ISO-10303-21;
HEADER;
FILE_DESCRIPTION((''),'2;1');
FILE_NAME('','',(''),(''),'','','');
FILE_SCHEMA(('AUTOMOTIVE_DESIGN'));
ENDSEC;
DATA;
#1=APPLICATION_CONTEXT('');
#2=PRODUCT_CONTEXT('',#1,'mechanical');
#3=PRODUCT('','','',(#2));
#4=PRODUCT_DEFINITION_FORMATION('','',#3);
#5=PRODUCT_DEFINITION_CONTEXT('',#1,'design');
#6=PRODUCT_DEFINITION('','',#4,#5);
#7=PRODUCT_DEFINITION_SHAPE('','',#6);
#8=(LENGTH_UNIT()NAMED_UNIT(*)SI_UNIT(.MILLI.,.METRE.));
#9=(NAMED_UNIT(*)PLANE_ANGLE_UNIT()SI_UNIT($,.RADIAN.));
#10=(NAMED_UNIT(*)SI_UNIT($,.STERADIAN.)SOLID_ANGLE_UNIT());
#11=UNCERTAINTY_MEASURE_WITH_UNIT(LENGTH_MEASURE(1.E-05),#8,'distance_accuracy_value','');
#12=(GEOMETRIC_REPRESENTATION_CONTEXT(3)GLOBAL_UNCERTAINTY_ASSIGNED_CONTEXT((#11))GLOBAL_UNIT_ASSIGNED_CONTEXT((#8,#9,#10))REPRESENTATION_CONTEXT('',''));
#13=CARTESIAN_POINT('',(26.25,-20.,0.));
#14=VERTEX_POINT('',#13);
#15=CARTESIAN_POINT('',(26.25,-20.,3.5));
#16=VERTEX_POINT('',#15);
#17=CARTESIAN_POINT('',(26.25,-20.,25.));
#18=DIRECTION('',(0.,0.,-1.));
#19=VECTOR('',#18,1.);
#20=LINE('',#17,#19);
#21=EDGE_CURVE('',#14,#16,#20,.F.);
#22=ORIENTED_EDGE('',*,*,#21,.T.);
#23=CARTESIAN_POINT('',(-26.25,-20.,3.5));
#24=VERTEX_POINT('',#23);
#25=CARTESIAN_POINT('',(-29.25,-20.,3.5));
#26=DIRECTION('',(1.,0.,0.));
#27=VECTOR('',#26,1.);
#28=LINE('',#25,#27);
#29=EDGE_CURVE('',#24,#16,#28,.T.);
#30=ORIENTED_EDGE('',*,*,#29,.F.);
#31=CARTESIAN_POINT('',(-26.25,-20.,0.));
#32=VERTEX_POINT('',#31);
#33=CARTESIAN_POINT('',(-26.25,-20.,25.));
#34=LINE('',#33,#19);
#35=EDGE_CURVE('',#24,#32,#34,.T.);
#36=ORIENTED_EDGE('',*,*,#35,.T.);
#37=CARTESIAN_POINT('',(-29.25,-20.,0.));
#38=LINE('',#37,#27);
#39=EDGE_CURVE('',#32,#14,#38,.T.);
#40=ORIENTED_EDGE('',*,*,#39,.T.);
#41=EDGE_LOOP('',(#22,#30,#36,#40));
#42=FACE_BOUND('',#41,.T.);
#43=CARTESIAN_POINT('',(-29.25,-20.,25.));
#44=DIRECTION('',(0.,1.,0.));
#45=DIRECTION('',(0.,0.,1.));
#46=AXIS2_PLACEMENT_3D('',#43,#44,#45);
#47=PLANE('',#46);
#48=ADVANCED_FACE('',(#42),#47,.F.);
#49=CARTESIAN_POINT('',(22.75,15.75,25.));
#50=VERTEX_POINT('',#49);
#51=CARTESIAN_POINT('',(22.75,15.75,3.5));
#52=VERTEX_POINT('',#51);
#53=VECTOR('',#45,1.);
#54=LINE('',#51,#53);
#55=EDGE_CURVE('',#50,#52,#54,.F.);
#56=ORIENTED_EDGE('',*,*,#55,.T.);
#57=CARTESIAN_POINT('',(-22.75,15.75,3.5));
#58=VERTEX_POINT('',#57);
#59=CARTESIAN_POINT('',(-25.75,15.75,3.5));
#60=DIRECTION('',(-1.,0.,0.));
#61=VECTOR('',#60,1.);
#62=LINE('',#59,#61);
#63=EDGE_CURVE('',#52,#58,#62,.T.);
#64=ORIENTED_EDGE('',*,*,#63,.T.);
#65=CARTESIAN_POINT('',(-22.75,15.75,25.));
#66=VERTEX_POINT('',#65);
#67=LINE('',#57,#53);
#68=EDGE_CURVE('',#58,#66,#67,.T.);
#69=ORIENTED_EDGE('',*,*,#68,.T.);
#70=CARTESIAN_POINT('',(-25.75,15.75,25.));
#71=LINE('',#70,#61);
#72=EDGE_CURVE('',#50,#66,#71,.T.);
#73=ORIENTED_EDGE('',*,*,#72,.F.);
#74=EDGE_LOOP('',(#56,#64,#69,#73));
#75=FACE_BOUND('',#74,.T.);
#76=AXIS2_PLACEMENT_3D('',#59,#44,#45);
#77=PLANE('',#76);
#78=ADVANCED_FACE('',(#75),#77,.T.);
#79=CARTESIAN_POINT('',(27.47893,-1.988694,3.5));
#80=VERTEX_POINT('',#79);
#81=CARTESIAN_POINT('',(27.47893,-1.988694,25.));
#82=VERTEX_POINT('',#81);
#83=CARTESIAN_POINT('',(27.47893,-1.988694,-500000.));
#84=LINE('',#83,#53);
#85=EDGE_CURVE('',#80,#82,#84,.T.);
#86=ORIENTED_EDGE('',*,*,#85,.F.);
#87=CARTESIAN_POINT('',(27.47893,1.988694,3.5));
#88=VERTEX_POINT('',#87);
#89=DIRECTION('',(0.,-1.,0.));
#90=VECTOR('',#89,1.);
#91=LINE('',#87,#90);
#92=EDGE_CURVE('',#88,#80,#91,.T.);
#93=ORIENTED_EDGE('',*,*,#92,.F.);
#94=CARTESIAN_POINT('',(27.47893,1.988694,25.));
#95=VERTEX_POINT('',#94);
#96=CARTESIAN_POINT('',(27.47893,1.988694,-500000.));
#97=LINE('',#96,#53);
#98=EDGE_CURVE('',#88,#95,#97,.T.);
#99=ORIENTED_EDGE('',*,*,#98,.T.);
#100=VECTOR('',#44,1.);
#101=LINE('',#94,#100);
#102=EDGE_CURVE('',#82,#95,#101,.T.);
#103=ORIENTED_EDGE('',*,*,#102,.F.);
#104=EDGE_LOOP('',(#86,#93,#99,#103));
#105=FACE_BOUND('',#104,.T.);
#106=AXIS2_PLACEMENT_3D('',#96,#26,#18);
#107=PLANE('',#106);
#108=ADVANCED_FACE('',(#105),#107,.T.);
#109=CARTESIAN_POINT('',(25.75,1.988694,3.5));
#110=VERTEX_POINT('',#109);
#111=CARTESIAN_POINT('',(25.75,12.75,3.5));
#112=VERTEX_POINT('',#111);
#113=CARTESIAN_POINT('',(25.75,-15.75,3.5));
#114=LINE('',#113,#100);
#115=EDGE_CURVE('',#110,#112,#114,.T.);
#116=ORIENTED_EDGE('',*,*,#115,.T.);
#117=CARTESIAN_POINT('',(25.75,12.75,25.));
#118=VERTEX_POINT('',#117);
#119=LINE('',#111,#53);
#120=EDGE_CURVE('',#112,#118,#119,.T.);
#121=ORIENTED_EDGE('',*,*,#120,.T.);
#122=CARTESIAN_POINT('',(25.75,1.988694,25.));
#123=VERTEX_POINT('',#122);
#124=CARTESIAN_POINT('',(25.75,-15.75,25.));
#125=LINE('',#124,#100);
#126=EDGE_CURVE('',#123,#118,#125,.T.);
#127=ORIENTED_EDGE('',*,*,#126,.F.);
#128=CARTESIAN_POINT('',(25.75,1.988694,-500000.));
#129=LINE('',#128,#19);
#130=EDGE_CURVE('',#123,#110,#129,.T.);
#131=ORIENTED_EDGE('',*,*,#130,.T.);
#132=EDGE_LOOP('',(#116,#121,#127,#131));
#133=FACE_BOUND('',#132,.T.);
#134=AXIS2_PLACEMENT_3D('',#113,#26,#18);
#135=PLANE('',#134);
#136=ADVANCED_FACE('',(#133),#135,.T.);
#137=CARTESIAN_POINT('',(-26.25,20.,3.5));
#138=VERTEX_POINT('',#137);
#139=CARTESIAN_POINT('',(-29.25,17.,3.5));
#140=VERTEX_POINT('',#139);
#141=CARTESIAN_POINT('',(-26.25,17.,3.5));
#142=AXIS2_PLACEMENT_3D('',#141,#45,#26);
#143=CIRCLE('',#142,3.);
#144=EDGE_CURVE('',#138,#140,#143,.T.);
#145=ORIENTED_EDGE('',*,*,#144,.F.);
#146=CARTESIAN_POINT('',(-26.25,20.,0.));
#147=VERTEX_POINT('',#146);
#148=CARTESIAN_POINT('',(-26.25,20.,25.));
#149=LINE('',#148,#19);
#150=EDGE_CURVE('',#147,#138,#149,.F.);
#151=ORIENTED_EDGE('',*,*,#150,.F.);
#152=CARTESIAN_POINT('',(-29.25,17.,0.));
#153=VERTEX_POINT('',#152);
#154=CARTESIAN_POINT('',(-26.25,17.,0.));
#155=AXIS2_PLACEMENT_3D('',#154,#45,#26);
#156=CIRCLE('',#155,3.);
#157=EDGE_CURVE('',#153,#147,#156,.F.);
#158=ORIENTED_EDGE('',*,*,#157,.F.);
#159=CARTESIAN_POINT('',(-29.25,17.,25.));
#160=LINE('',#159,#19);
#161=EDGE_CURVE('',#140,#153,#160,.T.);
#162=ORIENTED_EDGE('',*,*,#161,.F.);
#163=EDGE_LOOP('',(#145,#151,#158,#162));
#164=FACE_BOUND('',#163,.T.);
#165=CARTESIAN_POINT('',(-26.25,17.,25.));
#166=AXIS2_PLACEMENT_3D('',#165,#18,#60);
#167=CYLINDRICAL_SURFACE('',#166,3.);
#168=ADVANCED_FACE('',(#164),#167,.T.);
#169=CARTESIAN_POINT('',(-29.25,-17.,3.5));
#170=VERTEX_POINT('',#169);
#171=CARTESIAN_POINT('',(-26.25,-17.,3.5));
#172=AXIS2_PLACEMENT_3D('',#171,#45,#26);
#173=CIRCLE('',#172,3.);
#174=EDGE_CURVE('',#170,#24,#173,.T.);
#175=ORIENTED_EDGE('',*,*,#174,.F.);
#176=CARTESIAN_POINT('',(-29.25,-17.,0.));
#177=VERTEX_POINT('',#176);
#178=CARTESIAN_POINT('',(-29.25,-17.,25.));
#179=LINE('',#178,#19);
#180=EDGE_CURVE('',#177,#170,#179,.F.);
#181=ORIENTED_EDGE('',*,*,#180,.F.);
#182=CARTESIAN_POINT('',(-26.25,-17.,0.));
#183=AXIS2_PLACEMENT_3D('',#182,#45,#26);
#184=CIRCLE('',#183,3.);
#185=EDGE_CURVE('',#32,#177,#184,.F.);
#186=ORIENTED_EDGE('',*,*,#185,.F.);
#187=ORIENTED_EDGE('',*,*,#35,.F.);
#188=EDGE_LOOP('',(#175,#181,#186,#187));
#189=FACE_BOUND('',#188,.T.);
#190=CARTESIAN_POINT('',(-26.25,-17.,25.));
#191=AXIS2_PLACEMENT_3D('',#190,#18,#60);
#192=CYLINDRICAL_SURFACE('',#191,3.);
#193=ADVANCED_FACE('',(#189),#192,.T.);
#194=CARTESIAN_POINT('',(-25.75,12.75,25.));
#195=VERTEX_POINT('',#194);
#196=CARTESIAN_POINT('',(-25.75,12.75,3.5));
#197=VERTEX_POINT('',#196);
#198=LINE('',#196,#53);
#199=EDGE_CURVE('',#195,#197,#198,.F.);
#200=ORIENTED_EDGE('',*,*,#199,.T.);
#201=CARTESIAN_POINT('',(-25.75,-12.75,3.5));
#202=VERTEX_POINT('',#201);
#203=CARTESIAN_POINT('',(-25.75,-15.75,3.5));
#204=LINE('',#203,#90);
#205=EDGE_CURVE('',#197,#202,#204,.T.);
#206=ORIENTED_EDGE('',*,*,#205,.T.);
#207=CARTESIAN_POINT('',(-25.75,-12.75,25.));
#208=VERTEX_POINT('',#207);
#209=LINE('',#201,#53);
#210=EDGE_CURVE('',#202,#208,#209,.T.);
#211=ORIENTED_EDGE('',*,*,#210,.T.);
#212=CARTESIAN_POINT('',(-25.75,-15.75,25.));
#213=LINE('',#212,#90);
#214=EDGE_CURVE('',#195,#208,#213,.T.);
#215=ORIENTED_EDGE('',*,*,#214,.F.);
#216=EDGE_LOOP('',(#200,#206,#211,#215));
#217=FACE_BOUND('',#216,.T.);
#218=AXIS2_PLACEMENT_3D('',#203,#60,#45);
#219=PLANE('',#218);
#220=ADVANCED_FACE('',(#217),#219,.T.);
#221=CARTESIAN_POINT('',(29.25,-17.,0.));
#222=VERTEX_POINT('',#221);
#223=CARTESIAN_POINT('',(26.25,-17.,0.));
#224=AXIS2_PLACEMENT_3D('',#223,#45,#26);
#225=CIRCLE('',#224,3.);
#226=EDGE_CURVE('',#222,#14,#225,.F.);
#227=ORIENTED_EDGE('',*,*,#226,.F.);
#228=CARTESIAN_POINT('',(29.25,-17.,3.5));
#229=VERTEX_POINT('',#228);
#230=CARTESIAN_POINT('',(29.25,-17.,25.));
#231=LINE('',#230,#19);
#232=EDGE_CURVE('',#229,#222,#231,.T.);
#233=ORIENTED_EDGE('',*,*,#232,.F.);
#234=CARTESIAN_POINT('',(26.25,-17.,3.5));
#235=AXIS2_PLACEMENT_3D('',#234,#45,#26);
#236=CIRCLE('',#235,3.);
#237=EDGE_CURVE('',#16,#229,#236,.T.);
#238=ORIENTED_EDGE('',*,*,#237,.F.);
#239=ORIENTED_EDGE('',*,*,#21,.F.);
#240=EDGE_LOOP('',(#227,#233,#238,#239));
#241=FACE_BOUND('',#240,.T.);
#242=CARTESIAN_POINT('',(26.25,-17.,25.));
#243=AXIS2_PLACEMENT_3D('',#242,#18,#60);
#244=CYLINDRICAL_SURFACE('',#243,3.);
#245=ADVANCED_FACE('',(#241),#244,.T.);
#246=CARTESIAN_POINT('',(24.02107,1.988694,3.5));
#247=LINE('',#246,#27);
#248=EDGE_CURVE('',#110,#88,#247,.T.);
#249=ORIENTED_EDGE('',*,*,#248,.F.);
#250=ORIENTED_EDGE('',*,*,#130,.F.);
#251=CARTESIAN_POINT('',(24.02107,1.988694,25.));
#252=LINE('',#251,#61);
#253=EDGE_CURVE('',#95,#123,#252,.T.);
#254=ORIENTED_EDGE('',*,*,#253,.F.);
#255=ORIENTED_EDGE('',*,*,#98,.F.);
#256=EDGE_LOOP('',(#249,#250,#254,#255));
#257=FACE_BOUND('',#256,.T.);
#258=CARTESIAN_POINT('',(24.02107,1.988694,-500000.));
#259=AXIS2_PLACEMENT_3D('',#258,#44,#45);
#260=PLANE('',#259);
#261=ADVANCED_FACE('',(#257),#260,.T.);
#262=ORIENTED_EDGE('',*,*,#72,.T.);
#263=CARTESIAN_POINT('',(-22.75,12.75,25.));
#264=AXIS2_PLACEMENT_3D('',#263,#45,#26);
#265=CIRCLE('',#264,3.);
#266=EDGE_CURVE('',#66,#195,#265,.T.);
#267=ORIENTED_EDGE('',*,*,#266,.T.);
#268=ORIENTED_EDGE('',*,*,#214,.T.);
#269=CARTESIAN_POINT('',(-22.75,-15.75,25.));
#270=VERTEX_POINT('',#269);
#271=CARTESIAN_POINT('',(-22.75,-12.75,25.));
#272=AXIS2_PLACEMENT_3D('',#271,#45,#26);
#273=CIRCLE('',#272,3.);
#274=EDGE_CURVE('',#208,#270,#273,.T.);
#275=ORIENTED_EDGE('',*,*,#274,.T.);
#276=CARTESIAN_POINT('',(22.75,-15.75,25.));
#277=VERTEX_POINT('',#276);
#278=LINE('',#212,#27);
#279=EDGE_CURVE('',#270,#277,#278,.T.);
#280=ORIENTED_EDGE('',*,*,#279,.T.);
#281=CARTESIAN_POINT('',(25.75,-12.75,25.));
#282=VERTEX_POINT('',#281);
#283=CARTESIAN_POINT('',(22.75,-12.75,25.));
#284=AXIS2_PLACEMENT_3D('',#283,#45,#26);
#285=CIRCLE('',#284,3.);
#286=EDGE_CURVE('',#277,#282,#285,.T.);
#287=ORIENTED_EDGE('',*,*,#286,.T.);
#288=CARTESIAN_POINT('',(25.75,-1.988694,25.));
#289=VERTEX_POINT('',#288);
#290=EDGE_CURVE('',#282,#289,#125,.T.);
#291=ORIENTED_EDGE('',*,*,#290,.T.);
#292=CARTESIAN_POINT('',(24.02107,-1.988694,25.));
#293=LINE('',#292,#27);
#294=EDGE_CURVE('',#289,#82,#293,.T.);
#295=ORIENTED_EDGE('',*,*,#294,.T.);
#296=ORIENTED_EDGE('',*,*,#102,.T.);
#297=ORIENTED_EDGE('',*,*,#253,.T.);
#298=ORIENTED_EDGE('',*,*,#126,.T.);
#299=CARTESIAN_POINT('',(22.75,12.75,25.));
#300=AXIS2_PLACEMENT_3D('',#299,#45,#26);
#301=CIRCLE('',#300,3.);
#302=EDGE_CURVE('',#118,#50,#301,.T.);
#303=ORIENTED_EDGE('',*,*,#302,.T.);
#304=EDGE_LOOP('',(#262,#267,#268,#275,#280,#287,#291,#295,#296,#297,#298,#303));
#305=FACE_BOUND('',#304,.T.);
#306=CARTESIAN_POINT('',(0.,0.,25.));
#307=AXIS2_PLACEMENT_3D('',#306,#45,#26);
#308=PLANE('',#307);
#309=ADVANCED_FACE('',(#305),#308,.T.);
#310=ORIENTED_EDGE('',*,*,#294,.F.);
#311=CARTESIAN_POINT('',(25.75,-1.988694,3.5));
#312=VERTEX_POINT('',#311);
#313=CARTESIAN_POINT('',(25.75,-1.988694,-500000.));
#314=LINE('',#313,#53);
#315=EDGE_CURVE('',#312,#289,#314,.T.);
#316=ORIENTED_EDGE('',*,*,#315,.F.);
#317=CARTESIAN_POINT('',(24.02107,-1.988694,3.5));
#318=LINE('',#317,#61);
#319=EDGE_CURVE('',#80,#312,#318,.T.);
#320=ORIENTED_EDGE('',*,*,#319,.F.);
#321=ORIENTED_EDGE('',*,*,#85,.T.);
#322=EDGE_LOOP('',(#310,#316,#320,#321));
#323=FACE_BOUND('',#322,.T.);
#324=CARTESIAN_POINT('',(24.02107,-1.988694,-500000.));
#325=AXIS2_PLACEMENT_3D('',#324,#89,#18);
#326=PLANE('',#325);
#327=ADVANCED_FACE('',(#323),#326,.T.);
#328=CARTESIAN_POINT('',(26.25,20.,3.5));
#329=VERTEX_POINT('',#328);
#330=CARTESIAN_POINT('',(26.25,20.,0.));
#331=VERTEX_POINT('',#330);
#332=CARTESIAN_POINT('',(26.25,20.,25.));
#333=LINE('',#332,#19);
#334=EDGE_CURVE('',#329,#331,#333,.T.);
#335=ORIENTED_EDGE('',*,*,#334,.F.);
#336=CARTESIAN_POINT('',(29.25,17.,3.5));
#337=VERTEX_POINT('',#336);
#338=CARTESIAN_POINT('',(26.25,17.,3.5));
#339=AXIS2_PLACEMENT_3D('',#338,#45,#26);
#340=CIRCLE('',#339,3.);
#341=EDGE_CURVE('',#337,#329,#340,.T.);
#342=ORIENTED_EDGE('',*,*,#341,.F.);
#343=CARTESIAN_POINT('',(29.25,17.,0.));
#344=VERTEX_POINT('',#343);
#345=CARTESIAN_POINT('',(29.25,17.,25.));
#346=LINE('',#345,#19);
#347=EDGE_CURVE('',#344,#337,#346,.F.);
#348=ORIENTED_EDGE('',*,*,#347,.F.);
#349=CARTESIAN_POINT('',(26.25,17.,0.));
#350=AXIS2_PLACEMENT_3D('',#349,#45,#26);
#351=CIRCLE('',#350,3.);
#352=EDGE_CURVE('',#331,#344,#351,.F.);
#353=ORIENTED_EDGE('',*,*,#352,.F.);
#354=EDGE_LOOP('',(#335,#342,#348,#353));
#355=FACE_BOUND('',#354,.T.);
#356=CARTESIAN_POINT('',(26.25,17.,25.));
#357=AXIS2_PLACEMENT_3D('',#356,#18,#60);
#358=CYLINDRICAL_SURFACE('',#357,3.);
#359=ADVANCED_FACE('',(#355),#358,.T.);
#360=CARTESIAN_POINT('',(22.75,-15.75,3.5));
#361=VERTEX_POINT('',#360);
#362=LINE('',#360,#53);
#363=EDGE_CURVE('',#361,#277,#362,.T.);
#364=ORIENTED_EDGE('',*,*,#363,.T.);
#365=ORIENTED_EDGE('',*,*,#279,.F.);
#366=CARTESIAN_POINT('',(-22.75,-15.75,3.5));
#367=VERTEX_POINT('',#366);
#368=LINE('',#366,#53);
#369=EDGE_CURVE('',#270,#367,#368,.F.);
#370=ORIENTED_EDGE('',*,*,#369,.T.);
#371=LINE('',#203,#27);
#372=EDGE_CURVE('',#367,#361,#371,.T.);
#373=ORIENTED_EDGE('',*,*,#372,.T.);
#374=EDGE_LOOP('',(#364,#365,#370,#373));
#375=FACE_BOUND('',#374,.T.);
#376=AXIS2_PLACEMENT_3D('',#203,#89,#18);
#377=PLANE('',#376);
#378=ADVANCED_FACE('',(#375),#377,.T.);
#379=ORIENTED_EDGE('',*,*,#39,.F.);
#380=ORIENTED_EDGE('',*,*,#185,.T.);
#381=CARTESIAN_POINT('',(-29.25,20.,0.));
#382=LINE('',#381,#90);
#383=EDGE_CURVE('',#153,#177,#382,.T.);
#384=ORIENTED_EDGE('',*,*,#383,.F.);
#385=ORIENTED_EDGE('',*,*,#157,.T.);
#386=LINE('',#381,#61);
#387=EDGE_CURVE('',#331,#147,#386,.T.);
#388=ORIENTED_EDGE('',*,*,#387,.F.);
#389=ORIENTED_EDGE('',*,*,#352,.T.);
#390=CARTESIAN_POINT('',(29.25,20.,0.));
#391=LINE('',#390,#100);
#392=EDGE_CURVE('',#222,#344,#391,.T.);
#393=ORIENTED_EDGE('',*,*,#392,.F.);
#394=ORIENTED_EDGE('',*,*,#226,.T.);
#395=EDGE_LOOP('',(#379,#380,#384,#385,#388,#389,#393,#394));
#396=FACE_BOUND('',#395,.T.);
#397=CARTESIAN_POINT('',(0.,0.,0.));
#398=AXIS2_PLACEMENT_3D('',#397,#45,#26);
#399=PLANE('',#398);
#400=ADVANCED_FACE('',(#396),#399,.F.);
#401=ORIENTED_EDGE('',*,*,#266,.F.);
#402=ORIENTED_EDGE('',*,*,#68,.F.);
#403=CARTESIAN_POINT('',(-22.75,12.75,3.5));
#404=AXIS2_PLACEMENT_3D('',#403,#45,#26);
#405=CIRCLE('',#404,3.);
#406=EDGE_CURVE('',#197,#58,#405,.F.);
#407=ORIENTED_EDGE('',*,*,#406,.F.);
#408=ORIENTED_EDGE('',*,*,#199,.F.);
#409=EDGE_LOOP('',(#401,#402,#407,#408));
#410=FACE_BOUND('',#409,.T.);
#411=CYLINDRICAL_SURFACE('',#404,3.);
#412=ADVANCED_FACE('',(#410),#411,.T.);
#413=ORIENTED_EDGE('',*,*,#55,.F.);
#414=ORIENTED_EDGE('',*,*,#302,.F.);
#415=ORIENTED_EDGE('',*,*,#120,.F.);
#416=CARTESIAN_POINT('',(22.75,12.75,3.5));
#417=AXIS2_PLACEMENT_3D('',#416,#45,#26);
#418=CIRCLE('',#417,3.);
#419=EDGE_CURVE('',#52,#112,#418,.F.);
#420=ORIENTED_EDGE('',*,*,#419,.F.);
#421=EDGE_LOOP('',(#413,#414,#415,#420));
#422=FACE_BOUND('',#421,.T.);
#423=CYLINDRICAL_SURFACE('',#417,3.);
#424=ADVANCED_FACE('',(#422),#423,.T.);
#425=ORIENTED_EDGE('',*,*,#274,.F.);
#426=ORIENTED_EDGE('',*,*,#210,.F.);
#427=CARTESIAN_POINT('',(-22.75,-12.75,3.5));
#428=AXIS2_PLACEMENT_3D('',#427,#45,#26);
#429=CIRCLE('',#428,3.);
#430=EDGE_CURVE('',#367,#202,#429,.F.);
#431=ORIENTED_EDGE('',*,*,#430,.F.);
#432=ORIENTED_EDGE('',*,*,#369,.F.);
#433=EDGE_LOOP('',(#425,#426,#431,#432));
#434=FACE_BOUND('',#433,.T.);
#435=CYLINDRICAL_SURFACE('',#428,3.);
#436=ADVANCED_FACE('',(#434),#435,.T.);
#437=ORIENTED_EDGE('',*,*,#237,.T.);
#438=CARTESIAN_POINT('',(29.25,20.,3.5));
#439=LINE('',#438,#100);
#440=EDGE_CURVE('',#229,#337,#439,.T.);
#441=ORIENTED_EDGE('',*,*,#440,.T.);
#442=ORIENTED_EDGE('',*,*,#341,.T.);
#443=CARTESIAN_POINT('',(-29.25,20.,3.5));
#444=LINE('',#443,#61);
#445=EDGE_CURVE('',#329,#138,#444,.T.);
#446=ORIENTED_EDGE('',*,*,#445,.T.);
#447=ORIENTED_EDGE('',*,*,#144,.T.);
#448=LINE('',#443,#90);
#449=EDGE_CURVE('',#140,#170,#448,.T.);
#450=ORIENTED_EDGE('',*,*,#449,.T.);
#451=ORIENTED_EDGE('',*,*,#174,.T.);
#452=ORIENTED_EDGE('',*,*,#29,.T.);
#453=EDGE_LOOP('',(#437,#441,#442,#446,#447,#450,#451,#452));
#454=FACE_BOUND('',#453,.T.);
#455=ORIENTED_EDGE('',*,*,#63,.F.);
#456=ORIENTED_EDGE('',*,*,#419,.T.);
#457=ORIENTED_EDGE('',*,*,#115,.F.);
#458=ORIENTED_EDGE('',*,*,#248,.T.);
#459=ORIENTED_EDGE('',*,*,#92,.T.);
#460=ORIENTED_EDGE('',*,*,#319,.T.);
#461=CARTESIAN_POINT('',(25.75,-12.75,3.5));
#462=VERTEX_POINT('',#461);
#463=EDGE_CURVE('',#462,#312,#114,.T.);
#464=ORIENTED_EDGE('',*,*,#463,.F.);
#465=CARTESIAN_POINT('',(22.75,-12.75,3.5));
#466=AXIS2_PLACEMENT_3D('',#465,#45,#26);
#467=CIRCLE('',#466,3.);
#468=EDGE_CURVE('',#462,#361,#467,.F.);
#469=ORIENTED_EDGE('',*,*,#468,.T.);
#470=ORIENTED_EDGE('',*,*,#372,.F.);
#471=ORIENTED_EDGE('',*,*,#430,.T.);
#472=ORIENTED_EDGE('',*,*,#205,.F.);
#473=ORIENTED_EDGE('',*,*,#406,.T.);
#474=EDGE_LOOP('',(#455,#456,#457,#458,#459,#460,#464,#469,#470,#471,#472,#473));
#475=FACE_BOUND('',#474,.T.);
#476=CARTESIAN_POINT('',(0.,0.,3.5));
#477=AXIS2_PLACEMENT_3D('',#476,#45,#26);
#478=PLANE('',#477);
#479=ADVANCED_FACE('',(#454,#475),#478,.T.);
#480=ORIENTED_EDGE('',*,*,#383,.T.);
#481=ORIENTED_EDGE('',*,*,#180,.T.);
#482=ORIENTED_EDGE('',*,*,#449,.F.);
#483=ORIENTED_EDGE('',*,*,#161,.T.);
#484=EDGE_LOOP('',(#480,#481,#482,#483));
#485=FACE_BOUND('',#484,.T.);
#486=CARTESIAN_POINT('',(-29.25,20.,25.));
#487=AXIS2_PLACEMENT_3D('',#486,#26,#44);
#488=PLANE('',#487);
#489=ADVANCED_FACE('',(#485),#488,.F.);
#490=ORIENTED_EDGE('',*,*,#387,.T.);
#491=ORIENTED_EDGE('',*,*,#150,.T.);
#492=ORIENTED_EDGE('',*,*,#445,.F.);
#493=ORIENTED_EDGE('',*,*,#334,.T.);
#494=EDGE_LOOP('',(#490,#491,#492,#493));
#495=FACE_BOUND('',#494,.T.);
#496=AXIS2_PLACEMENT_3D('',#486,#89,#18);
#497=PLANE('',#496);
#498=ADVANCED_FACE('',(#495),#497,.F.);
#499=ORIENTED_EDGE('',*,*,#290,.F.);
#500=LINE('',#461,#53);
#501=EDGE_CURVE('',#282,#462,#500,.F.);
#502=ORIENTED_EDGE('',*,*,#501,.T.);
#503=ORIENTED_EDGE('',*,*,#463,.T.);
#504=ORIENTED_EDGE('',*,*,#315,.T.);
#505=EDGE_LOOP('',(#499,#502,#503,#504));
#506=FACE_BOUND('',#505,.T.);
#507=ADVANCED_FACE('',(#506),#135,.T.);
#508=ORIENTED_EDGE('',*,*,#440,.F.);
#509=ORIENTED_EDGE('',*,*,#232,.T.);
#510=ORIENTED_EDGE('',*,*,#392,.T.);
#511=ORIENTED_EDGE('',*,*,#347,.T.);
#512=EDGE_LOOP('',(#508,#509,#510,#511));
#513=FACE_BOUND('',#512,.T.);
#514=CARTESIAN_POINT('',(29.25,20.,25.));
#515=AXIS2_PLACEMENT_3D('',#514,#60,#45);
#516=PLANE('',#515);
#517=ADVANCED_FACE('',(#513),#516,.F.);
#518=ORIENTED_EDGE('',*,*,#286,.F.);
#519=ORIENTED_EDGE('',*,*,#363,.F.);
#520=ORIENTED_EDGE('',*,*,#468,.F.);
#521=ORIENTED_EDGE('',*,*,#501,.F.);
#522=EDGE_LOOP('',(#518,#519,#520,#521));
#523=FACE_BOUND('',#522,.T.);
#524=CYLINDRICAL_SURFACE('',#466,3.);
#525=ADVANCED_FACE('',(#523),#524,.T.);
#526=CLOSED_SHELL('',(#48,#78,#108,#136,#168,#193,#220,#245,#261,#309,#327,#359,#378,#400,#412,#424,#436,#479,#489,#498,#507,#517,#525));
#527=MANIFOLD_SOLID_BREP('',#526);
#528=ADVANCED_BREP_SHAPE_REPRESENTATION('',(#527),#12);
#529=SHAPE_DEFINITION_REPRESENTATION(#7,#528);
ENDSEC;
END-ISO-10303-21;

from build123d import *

# Parameters (mm, degrees)
SKETCH_1_W           = 58.5
SKETCH_1_H           = 40
EXTRUDE_1_DEPTH      = 25
SKETCH_2_OUTSIDE_W   = 75.53
SKETCH_2_OUTSIDE_H   = 57.03
SKETCH_2_OUTSIDE_W_2 = 51.5
SKETCH_2_OUTSIDE_H_2 = 31.5
CUT_EXTRUDE_4_DEPTH  = 21.5
EXTRUDE_2_REACH      = 45.365
SKETCH_3_W           = 3.457860742
SKETCH_3_H           = 3.97738732
FILLET_1_R           = 3
FILLET_2_R           = 3
FILLET_3_R           = 3


with BuildPart() as part:
    # 草图1 → 凸台-拉伸1 (new body)
    with BuildSketch(Plane.XY):
        Rectangle(SKETCH_1_W, SKETCH_1_H)
    extrude(amount=EXTRUDE_1_DEPTH)

    # 草图2 outside → 切除-拉伸4 (cut)
    with BuildSketch(Plane.XY.offset(25)):
        Rectangle(SKETCH_2_OUTSIDE_W, SKETCH_2_OUTSIDE_H)
        Rectangle(SKETCH_2_OUTSIDE_W_2, SKETCH_2_OUTSIDE_H_2, mode=Mode.SUBTRACT)
    extrude(amount=-CUT_EXTRUDE_4_DEPTH, mode=Mode.SUBTRACT)

    # 草图3 → 凸台-拉伸2 (add, up to next)
    with BuildSketch(Plane.XY.offset(25), mode=Mode.PRIVATE) as extrude_2_sk1:
        with Locations((25.75, 0)):
            Rectangle(SKETCH_3_W, SKETCH_3_H)
    extrude_2_tool1 = extrude(extrude_2_sk1.sketch, amount=-EXTRUDE_2_REACH, mode=Mode.PRIVATE) - part.part
    add(extrude_2_tool1.solids().sort_by_distance((25.75, 0, 25))[0])

    # 圆角1
    fillet_1_edges = [part.edges().sort_by_distance(p)[0] for p in [
        (25.75, -15.75, 14.25),
        (25.75, 15.75, 14.25),
    ]]
    fillet(fillet_1_edges, radius=FILLET_1_R)

    # 圆角2
    fillet_2_edges = [part.edges().sort_by_distance(p)[0] for p in [
        (-25.75, -15.75, 14.25),
        (-25.75, 15.75, 14.25),
    ]]
    fillet(fillet_2_edges, radius=FILLET_2_R)

    # 圆角3
    fillet_3_edges = [part.edges().sort_by_distance(p)[0] for p in [
        (29.25, -20, 1.75),
        (-29.25, -20, 1.75),
        (-29.25, 20, 1.75),
        (29.25, 20, 1.75),
    ]]
    fillet(fillet_3_edges, radius=FILLET_3_R)


solid = part.part
